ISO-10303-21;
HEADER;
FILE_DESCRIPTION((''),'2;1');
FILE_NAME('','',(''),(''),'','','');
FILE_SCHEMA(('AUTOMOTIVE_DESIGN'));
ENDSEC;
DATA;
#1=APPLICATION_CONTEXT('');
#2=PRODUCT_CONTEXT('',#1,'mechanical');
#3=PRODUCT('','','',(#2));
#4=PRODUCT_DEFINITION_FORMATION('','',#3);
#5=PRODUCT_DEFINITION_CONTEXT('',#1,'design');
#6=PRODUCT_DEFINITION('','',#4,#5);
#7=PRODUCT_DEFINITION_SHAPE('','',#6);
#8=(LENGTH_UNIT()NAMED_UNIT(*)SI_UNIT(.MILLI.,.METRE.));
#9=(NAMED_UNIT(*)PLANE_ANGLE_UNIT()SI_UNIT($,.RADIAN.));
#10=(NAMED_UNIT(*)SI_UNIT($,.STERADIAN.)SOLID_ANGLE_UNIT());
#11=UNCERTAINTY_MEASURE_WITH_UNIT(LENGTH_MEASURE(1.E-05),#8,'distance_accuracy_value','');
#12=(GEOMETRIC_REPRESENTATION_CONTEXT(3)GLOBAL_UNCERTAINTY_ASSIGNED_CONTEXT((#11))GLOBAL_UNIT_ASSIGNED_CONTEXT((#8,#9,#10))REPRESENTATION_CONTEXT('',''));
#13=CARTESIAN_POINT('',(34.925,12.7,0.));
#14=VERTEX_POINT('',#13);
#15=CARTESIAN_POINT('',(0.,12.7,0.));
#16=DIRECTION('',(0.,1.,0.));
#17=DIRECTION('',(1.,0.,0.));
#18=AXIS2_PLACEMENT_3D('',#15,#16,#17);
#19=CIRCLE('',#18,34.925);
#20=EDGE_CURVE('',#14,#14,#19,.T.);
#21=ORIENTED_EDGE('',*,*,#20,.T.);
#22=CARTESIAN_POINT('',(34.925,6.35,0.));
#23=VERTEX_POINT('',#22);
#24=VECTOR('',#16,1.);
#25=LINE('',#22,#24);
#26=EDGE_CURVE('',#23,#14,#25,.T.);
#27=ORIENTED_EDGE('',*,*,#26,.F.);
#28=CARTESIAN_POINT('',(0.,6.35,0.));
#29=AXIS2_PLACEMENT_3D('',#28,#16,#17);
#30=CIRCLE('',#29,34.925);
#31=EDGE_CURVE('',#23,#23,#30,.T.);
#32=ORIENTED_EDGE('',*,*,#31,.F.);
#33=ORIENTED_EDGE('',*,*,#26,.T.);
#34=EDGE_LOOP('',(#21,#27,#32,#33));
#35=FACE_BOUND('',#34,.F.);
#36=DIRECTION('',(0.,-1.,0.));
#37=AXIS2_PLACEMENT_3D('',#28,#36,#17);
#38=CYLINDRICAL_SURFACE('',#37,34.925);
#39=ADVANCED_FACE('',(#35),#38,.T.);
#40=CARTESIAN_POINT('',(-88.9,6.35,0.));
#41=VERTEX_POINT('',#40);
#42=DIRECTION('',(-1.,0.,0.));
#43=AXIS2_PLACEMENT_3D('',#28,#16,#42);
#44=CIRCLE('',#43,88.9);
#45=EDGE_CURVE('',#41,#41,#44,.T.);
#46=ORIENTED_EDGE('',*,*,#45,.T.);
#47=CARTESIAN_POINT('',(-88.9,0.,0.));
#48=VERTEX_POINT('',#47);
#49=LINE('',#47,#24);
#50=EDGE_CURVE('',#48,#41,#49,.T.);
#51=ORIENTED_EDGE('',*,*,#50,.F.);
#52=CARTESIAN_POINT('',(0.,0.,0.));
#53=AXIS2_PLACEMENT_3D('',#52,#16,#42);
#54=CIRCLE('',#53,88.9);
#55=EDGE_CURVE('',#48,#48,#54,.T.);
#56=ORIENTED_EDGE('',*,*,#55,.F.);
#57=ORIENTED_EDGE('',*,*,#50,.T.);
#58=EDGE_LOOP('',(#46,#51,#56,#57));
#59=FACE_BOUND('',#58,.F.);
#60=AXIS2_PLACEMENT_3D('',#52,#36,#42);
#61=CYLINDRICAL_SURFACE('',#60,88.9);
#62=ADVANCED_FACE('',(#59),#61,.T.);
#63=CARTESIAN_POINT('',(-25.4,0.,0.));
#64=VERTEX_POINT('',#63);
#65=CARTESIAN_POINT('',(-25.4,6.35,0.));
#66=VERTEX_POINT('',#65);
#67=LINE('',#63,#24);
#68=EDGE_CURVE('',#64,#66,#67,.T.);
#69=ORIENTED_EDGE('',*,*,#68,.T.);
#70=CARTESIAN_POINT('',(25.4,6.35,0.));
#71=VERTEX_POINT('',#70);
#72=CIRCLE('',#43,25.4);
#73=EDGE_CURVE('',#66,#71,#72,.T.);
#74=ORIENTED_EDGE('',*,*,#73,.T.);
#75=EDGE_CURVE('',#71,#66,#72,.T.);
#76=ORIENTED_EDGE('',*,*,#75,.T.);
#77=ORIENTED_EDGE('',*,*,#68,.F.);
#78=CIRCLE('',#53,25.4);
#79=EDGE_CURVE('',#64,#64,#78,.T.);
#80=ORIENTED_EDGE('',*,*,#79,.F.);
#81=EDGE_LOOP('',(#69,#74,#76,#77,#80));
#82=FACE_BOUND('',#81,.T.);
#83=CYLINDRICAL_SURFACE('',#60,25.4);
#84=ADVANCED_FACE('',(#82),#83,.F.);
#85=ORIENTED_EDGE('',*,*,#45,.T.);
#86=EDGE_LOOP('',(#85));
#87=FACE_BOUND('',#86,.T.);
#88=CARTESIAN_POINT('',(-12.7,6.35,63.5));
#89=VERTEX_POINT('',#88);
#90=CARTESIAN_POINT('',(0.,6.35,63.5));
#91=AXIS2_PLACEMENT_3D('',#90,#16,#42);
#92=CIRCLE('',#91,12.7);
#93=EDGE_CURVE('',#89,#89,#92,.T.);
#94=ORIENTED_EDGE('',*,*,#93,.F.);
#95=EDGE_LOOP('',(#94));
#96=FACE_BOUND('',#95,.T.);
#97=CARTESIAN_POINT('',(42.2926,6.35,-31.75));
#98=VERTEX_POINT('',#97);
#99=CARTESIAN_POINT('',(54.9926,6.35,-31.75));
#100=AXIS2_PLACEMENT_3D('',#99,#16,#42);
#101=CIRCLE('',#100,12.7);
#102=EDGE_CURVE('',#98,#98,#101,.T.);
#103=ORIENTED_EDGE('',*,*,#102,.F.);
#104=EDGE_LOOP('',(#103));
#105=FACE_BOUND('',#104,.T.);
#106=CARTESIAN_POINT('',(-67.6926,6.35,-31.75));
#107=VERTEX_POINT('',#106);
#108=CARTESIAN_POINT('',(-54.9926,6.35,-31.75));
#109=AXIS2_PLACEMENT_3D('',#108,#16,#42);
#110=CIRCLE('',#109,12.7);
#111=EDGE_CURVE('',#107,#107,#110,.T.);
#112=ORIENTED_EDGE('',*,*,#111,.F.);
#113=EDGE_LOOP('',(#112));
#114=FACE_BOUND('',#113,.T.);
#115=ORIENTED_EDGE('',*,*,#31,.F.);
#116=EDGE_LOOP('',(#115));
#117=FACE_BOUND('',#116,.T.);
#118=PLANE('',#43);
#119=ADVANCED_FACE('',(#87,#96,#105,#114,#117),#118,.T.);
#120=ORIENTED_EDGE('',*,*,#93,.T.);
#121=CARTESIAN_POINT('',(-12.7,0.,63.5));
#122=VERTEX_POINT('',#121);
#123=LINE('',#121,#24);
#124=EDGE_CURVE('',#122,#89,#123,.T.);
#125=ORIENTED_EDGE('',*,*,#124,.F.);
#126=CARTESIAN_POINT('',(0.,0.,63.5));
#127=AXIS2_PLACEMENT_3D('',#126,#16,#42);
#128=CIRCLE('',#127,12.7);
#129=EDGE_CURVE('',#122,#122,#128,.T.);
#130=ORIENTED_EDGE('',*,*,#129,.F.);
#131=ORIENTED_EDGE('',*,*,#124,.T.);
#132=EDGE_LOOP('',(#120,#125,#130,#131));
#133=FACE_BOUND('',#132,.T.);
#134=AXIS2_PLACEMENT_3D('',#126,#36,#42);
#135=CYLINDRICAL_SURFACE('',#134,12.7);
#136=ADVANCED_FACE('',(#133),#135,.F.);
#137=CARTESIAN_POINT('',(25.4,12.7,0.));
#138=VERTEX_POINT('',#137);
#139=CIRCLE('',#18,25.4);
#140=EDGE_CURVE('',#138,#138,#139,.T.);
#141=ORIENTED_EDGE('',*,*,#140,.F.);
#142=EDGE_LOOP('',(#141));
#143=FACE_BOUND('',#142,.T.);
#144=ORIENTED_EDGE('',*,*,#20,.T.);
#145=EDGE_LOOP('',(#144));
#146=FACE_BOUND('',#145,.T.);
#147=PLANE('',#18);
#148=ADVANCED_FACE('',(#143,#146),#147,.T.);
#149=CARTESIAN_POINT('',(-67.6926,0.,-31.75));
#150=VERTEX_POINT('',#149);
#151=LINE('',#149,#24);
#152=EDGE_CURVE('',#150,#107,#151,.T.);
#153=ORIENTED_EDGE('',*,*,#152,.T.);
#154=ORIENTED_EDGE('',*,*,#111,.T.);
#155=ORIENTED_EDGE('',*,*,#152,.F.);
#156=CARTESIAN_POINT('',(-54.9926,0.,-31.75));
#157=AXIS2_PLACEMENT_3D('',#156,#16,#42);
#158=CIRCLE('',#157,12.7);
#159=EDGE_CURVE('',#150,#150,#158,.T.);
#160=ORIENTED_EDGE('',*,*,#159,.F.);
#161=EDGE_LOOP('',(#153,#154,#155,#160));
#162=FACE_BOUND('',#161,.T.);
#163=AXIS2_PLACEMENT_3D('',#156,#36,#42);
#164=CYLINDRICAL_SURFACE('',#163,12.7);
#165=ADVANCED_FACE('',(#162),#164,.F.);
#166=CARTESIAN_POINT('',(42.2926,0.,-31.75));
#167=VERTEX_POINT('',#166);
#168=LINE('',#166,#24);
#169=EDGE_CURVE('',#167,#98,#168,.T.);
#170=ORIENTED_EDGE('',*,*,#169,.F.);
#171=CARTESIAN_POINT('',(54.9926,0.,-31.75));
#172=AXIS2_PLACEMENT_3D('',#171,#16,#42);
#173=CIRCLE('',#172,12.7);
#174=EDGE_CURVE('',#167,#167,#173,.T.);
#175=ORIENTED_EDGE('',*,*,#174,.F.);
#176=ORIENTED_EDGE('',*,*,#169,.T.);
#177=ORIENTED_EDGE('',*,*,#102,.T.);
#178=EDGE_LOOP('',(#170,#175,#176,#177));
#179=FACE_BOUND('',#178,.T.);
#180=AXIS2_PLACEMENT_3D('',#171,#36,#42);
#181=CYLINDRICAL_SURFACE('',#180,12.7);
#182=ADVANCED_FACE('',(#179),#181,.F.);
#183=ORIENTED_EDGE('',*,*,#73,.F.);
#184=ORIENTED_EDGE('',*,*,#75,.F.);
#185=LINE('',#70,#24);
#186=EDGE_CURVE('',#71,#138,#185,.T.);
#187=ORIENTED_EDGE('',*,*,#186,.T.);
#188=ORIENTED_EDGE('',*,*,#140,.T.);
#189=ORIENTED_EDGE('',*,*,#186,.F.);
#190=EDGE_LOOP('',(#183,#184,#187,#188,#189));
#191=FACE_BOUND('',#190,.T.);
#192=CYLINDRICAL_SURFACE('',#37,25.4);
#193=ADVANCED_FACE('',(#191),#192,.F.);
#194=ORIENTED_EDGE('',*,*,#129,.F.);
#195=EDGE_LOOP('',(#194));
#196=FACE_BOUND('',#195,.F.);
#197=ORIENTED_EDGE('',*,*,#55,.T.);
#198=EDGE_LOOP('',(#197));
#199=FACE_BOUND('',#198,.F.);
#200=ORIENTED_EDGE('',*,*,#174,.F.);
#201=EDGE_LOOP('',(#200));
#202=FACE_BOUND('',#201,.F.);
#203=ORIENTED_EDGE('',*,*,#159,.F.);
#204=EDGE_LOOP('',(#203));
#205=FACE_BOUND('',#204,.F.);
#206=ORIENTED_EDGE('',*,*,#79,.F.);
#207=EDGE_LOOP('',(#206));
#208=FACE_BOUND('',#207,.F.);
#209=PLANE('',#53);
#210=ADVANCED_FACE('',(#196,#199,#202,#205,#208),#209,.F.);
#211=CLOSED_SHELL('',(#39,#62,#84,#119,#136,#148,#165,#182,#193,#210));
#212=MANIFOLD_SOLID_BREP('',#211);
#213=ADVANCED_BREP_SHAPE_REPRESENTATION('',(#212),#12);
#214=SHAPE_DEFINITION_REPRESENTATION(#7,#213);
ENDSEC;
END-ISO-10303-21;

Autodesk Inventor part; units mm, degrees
ref_plane "YZ Plane" through (0, 0, 0) normal (1, 0, 0) x (0, 1, 0)
ref_plane "XZ Plane" through (0, 0, 0) normal (0, 1, 0) x (-1, 0, 0)
ref_plane "XY Plane" through (0, 0, 0) normal (0, 0, 1) x (1, 0, 0)
sketch "Sketch1" plane through (0, 0, 0) normal (0, 1, 0) x (-1, 0, 0)
  circle A0 centre (0, 0) radius 88.9
  circle A1 centre (0, 0) radius 25.4
  circle A2 centre (0, 0) radius 34.925
  line L0 (0, 0) -> (0, 63.5) construction
  circle A3 centre (0, 63.5) radius 12.7
  line L1 (0, 0) -> (-54.9926, -31.75) construction
  circle A4 centre (-54.9926, -31.75) radius 12.7
  line L2 (0, 0) -> (54.9926, -31.75) construction
  circle A5 centre (54.9926, -31.75) radius 12.7
  dimension "d0" = 177.8
  dimension "d1" = 25.4
  dimension "d2" = 63.5
  dimension "d3" = 69.85
  dimension "d4" = 50.8
  dimension "d7" = 360
extrude "Extrusion1" add sketch "Sketch1" along normal blind 6.35 contours A0 | A2
sketch "Sketch3" plane through (0, 6.35, 0) normal (0, 1, 0) x (1, 0, 0)
  circle A0 centre (0, 0) radius 88.9 projected
  circle A1 centre (-54.9926, 31.75) radius 12.7 projected
  circle A2 centre (54.9926, 31.75) radius 12.7 projected
  circle A3 centre (0, -63.5) radius 12.7 projected
  circle A4 centre (0, 0) radius 34.925
  circle A5 centre (0, 0) radius 25.4 projected
  circle A6 centre (0, 0) radius 25.4
  dimension "d11" = 69.85
  dimension "d14" = 50.8
extrude "Extrusion2" add sketch "Sketch3" along normal blind 6.35 contours A4
properties part number "CircSpacer"
